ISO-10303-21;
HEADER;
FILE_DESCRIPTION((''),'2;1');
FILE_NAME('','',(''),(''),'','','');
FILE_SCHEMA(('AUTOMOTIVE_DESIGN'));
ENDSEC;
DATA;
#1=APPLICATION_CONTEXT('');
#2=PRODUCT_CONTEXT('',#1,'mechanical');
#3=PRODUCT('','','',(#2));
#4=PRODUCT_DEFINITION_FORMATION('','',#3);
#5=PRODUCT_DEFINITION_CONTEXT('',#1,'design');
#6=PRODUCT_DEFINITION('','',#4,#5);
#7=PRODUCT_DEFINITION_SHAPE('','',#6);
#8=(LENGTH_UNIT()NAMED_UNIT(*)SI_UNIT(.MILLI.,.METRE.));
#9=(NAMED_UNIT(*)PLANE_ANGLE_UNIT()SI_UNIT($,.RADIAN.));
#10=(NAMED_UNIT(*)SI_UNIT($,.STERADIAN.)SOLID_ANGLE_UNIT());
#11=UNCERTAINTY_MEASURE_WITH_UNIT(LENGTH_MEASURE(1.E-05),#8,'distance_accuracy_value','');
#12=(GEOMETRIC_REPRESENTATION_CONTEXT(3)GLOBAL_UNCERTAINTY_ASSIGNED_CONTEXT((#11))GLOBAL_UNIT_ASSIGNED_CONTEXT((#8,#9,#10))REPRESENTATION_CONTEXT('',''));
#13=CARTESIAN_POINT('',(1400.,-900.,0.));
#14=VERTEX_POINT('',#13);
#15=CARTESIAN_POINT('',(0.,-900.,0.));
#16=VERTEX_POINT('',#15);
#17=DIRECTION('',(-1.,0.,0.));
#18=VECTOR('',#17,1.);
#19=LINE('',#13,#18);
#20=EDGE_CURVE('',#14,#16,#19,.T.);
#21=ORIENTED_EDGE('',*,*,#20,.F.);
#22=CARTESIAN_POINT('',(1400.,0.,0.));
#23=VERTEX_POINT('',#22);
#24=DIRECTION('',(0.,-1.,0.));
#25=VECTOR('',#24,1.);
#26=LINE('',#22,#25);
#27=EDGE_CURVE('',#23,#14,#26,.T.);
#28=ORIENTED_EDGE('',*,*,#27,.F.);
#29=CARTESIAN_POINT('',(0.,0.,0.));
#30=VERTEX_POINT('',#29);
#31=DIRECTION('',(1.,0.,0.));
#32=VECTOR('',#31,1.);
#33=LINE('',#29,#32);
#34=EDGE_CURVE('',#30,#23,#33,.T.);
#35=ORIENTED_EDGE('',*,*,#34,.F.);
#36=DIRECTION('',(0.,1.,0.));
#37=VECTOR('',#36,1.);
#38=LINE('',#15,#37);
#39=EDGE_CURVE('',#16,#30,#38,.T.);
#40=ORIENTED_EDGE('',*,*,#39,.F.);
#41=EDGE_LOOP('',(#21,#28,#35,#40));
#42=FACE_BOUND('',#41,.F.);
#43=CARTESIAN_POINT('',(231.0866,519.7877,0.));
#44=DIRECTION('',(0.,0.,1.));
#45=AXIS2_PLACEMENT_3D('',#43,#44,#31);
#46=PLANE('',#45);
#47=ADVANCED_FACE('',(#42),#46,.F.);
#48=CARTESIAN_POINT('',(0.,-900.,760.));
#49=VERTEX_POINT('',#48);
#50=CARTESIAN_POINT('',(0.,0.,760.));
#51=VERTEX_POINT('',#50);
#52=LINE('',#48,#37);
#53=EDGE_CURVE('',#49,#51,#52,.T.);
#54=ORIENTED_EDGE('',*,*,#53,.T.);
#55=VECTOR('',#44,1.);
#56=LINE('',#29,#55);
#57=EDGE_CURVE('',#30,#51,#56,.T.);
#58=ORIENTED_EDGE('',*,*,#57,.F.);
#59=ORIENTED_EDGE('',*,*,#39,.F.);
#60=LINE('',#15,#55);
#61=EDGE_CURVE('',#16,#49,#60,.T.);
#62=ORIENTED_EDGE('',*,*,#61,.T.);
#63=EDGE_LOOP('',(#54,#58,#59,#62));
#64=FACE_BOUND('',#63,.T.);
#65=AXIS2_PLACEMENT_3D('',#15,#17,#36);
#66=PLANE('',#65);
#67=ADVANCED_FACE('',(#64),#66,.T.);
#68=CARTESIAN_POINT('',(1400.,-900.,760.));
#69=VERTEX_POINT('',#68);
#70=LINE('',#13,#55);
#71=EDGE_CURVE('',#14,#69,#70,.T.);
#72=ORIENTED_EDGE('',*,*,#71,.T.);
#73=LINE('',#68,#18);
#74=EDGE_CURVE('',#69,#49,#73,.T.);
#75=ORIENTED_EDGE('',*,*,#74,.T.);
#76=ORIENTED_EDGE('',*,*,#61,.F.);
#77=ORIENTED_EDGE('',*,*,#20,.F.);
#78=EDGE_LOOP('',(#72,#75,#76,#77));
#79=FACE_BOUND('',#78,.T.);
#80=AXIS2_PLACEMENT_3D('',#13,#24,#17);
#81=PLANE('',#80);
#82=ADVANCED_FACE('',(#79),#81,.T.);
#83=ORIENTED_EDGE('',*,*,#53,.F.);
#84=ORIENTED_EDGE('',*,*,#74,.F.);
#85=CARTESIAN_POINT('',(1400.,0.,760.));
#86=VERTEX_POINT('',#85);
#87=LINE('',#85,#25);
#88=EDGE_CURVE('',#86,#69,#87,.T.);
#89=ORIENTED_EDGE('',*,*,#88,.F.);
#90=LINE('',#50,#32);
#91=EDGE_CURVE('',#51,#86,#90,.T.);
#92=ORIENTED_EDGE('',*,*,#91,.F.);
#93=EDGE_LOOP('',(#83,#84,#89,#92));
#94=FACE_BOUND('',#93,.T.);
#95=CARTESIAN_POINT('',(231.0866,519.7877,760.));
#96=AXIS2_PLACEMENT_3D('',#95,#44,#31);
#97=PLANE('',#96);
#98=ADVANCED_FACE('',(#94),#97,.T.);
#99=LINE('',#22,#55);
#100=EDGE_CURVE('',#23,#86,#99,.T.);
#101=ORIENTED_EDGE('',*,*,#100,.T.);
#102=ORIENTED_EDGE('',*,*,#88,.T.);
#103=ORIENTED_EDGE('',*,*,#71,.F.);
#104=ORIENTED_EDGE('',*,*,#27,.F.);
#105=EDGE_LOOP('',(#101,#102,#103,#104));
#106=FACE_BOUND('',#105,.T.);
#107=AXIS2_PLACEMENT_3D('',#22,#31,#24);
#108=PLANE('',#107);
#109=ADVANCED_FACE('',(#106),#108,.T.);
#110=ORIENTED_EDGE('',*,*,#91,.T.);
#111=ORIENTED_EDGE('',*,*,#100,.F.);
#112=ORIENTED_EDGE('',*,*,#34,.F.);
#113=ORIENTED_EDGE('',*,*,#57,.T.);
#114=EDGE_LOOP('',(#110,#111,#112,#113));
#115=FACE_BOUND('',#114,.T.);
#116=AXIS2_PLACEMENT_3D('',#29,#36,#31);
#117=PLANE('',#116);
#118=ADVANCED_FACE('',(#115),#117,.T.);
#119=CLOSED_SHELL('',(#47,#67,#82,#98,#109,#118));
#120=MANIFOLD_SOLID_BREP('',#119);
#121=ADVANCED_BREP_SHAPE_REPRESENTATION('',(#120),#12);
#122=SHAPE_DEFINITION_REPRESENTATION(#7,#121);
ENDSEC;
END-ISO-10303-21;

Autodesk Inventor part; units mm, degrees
ref_plane "YZ Plane" through (0, 0, 0) normal (1, 0, 0) x (0, 1, 0)
ref_plane "XZ Plane" through (0, 0, 0) normal (0, 1, 0) x (-1, 0, 0)
ref_plane "XY Plane" through (0, 0, 0) normal (0, 0, 1) x (1, 0, 0)
ref_plane "Plano de trabajo1" through (231.0866, 519.7877, 0) normal (0, 0, 1) x (1, 0, 0)
sketch "Boceto1" plane through (231.0866, 519.7877, 0) normal (0, 0, 1) x (1, 0, 0)
  line L0 (-231.0866, -519.7877) -> (1168.9134, -519.7877)
  line L1 (1168.9134, -519.7877) -> (1168.9134, -1419.7877)
  line L2 (1168.9134, -1419.7877) -> (-231.0866, -1419.7877)
  line L3 (-231.0866, -1419.7877) -> (-231.0866, -519.7877)
  dimension "d0" = 1400
  dimension "d1" = 900
extrude "Extrusión1" add sketch "Boceto1" along normal blind 760
properties part number "Mesa Comedor"
